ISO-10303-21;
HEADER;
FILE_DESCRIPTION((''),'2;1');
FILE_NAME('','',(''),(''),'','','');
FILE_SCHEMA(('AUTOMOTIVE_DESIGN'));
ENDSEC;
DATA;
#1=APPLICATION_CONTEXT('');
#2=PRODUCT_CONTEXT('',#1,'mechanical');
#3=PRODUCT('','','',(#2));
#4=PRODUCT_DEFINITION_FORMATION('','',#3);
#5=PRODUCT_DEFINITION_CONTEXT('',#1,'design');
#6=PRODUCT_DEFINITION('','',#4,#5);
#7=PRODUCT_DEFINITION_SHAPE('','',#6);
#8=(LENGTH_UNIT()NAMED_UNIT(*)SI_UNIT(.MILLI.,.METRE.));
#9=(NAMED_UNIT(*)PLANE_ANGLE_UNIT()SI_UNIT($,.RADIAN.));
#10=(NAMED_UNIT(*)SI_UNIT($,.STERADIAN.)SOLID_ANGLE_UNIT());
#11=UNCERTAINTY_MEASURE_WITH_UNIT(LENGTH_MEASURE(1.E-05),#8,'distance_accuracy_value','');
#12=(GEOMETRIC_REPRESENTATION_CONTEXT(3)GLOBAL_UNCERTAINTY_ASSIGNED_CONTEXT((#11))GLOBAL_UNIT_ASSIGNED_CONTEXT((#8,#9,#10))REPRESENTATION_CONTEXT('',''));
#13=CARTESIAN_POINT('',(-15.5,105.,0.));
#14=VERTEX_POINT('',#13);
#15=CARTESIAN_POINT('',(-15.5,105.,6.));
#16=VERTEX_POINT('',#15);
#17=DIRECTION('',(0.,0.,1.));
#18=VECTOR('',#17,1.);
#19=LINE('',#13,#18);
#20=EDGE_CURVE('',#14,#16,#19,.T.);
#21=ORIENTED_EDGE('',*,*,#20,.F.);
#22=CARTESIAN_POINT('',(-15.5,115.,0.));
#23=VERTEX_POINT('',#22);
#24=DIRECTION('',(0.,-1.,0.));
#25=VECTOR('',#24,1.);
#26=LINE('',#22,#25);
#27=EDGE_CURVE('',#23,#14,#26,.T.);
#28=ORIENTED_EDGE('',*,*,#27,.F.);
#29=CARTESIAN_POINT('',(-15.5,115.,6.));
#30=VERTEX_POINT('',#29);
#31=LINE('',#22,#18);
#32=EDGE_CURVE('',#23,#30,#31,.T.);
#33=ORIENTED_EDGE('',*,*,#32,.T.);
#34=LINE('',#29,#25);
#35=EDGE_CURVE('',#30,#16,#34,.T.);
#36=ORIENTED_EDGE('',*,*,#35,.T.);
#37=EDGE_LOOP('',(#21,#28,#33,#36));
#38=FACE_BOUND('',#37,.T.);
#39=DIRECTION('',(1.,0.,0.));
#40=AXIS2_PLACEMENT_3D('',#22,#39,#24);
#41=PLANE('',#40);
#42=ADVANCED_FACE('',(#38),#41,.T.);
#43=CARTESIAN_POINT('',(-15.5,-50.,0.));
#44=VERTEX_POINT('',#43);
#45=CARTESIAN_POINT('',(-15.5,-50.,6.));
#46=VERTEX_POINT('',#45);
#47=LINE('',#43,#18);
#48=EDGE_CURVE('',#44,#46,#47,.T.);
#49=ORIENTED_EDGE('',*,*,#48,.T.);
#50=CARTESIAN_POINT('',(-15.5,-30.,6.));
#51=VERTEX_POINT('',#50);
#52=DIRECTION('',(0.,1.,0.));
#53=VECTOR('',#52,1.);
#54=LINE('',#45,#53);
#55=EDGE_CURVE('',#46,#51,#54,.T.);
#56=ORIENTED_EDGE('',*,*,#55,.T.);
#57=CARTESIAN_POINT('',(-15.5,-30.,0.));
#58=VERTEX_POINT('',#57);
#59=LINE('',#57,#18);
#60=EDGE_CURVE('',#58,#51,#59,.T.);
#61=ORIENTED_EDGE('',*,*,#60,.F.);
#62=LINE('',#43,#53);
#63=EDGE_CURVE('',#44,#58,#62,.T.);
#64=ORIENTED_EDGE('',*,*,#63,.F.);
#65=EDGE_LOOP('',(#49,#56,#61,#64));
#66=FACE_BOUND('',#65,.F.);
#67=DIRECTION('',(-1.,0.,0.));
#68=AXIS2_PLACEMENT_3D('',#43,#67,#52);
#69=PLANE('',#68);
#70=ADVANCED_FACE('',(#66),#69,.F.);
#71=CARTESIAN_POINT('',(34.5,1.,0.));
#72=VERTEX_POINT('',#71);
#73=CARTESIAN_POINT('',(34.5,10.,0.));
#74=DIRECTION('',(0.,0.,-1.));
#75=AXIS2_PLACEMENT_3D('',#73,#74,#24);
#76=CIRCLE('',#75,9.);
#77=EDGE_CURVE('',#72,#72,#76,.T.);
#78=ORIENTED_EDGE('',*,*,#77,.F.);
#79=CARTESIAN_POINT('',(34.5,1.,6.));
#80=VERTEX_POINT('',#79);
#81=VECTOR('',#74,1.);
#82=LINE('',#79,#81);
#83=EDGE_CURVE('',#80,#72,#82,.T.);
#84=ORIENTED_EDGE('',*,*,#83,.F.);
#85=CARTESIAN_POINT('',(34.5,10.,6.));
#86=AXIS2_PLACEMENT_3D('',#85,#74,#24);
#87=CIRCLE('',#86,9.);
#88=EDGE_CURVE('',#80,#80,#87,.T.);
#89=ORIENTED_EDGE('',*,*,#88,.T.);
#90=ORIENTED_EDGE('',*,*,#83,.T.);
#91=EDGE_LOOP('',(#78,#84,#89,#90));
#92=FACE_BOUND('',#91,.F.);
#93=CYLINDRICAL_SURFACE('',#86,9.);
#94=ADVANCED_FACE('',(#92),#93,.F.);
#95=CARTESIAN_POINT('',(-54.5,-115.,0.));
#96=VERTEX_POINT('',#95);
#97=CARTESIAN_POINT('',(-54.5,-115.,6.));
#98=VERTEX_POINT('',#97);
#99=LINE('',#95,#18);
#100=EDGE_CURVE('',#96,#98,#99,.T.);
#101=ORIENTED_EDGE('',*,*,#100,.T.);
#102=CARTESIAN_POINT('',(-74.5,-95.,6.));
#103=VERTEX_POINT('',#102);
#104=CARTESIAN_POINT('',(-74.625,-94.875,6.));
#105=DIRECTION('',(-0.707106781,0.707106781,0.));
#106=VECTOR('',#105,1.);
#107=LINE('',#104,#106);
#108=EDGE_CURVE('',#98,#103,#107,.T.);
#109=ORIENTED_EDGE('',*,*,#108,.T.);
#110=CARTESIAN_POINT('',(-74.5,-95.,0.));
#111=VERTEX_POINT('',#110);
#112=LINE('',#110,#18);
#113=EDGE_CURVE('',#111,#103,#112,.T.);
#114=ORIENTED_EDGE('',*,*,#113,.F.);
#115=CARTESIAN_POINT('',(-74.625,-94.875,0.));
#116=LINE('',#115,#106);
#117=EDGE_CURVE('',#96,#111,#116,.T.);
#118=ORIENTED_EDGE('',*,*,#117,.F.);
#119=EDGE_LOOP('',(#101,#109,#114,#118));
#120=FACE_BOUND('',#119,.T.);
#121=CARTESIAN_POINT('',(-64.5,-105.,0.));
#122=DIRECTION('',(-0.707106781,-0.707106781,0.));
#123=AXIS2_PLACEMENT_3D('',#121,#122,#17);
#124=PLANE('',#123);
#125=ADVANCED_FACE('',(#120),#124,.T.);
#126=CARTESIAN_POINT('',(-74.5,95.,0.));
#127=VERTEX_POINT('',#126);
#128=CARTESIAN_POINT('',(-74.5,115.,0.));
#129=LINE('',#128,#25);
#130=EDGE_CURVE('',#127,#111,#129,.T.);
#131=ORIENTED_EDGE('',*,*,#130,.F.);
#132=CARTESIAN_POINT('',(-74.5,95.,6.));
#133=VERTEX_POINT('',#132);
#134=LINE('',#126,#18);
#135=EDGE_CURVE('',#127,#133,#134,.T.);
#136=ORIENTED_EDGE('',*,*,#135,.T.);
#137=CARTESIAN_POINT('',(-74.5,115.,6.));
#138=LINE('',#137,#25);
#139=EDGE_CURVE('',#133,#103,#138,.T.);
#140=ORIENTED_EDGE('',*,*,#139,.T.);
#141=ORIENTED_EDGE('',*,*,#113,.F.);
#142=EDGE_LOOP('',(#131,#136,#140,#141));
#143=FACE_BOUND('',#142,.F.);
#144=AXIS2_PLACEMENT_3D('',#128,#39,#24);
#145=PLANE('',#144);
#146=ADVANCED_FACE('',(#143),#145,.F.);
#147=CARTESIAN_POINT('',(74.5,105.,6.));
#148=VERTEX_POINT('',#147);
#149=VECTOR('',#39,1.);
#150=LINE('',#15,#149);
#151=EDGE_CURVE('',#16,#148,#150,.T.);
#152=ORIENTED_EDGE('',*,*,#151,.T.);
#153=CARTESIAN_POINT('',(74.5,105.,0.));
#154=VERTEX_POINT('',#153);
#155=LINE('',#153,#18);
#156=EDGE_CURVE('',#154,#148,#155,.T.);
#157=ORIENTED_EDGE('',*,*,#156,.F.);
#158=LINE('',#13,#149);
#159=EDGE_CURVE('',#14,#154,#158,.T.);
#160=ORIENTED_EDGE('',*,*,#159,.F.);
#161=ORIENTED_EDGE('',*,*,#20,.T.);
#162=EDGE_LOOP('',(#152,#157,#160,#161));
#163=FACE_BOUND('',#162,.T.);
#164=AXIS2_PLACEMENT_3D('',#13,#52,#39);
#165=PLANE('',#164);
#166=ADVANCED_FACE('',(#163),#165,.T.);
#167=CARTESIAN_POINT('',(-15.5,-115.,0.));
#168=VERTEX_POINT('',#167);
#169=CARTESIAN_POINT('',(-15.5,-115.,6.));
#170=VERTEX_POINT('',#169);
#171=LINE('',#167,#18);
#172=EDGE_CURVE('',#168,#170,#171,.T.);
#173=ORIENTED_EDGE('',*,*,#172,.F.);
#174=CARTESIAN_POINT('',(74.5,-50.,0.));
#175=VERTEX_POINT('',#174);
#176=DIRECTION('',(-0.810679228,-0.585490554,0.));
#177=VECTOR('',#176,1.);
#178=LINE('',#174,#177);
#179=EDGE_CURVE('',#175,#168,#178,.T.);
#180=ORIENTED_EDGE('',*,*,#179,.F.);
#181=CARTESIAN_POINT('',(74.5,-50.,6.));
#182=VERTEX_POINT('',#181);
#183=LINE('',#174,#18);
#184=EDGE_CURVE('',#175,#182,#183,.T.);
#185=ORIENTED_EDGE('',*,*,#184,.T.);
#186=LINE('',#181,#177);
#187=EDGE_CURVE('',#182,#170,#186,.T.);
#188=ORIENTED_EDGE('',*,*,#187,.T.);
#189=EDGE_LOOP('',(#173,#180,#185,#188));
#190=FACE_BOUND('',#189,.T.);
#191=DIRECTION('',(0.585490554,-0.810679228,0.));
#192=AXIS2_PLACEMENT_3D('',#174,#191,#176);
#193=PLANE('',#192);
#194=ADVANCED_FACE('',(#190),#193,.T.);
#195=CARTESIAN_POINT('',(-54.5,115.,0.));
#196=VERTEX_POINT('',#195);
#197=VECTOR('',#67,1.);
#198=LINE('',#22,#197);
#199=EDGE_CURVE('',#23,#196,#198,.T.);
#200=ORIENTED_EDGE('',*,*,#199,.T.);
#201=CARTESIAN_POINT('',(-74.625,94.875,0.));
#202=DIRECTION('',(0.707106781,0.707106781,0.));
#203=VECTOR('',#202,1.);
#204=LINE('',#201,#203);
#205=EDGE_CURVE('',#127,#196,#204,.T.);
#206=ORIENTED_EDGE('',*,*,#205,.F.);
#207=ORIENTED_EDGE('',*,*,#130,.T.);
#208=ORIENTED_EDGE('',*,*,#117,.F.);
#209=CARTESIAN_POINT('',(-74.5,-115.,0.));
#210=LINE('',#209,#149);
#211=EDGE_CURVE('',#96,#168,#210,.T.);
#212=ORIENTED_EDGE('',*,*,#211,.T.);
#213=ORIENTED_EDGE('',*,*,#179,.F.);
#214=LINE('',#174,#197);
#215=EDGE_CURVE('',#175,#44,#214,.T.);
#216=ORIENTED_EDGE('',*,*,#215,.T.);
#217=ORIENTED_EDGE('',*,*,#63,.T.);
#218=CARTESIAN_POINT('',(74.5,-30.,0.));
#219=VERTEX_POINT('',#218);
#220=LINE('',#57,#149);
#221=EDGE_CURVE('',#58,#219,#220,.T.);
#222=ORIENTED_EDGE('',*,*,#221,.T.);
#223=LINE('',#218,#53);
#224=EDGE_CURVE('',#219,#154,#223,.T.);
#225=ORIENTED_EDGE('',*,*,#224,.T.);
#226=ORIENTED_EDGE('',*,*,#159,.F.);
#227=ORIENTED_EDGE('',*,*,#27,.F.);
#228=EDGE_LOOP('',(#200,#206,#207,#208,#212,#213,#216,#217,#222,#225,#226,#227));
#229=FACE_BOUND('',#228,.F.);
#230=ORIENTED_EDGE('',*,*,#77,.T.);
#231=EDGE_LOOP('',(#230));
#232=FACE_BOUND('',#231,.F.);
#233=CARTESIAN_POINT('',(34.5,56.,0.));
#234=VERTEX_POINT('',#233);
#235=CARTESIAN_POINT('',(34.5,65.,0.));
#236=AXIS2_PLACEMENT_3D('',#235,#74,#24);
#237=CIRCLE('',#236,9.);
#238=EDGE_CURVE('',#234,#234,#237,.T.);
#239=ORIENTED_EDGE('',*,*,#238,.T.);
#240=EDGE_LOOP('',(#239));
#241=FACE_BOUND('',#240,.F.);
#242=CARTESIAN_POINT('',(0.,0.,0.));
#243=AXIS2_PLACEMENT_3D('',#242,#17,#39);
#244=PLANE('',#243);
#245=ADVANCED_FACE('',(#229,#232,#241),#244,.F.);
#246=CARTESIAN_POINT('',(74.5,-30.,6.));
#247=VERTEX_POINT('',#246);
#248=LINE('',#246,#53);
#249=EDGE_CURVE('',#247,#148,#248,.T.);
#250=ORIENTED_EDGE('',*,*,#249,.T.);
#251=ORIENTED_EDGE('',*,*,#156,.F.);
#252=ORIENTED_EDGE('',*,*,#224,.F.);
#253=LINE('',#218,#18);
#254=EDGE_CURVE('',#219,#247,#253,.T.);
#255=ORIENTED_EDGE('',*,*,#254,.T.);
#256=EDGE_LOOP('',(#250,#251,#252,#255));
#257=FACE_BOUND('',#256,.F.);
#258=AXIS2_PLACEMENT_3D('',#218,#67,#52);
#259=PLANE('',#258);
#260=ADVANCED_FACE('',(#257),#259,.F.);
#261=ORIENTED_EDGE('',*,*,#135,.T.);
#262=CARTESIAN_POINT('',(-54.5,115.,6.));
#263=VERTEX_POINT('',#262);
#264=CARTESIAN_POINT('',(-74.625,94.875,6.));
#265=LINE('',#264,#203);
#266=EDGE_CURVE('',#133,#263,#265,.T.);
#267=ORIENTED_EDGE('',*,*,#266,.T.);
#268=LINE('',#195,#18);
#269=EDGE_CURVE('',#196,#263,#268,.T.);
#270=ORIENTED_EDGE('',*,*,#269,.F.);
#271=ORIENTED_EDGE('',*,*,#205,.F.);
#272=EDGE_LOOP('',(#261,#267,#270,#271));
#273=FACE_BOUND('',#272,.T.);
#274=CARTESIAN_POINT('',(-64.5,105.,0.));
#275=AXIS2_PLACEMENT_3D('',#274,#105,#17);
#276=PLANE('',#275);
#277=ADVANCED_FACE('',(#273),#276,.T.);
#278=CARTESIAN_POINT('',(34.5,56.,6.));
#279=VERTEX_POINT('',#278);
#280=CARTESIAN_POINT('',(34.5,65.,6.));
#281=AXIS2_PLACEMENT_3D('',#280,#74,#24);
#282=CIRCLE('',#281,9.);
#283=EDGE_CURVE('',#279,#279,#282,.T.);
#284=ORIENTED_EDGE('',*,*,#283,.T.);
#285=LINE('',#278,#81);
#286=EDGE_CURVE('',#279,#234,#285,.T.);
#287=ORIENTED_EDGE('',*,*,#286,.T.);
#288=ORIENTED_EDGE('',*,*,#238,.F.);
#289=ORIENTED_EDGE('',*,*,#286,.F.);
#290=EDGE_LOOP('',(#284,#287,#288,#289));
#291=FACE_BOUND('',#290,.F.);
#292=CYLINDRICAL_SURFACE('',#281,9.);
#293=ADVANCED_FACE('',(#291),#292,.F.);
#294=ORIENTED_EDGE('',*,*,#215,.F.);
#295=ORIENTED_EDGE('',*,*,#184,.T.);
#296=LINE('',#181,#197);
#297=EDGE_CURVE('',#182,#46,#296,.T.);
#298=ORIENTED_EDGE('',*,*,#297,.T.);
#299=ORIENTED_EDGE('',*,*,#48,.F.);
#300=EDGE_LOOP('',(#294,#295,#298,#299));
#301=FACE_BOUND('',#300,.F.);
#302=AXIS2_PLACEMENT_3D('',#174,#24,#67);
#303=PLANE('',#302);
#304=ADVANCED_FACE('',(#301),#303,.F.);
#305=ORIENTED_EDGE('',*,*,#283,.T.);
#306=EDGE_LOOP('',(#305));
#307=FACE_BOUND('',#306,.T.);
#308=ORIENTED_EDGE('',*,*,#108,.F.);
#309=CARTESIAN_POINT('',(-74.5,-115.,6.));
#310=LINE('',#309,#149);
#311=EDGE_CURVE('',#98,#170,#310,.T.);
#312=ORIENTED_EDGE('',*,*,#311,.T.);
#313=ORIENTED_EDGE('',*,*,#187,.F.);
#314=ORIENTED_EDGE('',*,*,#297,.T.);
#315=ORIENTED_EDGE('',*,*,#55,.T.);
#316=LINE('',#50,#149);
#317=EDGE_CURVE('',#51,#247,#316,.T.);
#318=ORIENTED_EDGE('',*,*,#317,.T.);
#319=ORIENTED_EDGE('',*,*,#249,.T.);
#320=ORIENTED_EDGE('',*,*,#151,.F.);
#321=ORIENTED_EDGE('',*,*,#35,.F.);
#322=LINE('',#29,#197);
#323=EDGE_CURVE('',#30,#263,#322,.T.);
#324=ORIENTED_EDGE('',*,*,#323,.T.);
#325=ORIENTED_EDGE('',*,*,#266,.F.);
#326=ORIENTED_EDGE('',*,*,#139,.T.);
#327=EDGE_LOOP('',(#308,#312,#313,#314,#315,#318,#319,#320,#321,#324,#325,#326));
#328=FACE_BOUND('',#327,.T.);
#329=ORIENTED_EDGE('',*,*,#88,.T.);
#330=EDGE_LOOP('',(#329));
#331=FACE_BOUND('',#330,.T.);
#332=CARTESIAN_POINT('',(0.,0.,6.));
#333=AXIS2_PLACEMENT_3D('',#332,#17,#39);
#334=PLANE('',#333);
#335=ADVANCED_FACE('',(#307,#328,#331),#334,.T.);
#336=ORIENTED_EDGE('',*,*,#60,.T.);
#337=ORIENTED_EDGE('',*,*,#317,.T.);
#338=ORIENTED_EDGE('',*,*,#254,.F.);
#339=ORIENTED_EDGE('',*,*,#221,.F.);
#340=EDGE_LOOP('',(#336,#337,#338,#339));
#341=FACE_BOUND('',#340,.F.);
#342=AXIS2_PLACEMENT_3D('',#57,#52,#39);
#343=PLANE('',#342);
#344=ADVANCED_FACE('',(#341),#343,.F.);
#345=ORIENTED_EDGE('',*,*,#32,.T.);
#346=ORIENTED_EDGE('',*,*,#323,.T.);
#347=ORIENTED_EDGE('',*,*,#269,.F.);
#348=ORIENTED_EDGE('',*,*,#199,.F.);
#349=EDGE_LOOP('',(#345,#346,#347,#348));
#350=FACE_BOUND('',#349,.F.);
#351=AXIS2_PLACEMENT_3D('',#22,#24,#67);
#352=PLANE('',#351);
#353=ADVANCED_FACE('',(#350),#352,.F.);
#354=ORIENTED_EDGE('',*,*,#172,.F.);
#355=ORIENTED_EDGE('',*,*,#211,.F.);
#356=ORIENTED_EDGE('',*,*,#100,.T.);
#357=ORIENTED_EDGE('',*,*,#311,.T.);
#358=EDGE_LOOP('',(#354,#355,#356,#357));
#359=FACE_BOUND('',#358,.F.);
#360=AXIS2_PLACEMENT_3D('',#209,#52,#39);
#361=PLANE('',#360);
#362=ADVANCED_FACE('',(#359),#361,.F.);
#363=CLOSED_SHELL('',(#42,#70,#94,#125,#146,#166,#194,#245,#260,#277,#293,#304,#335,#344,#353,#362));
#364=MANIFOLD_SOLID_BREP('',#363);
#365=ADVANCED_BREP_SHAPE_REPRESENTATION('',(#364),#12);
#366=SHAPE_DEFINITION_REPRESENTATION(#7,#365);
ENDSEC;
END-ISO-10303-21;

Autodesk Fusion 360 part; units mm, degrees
sketch "スケッチ1" plane through (0, 0, 0) normal (0, 0, 1) x (1, 0, 0)
  line L0 (-15.5, 115) -> (-74.5, 115)
  line L1 (-74.5, 115) -> (-74.5, -115)
  line L2 (-74.5, -115) -> (-15.5, -115)
  line L3 (74.5, -30) -> (74.5, 105)
  line L4 (68.0217, 105) -> (-74.5, -115) construction
  line L5 (-74.5, 115) -> (45.8131, -70.7183) construction
  line L6 (-15.5, 115) -> (-15.5, 105)
  line L7 (-15.5, 105) -> (74.5, 105)
  line L8 (-74.5, -115) -> (-15.5, -115) construction
  line L9 (74.5, -50) -> (-15.5, -115)
  line L10 (74.5, -50) -> (-15.5, -50)
  line L11 (-15.5, -50) -> (-15.5, -30)
  line L12 (-15.5, -30) -> (74.5, -30)
  dimension "d2" = 230
  dimension "d5" = 59
  dimension "d7" = 90
  dimension "d8" = 20
extrude "押し出し1" add sketch "スケッチ1" along normal blind 6
chamfer "面取り1" distance 20 angle 45 2 edges at (-74.5, -115, 3) (-74.5, 115, 3)
sketch "スケッチ2" plane through (0, 0, 6) normal (0, 0, 1) x (-1, 0, 0)
  line L0 (54.5, -115) -> (74.5, -95)
  line L1 (74.5, -95) -> (74.5, 95)
  line L2 (74.5, 95) -> (54.5, 115)
  line L3 (54.5, 115) -> (15.5, 115)
  line L4 (15.5, 115) -> (-74.5, 50)
  line L5 (-74.5, 50) -> (15.5, 50)
  line L6 (15.5, 50) -> (15.5, 30)
  line L7 (15.5, 30) -> (-74.5, 30)
  line L8 (-74.5, 30) -> (-74.5, -105)
  line L9 (-74.5, -105) -> (15.5, -105)
  line L10 (15.5, -105) -> (15.5, -115)
  line L11 (15.5, -115) -> (54.5, -115)
  line L12 (-74.5, -105) -> (-34.5, -105) construction
  line L13 (-34.5, -105) -> (-34.5, -65) construction
  line L14 (-34.5, -65) -> (-74.5, -65) construction
  line L15 (-74.5, -65) -> (-74.5, -105) construction
  line L16 (-34.5, -65) -> (-34.5, -10) construction
  point P0 (-34.5, -65)
  point P1 (-34.5, -10)
  dimension "d12" = 40
  dimension "d13" = 40
  dimension "d14" = 55
hole "穴1" at (34.5, 65, 6) at (34.5, 10, 6) direction (0, 0, -1) diameter 18 end through all
equation "d5 = 20 mm + 39 mm"
